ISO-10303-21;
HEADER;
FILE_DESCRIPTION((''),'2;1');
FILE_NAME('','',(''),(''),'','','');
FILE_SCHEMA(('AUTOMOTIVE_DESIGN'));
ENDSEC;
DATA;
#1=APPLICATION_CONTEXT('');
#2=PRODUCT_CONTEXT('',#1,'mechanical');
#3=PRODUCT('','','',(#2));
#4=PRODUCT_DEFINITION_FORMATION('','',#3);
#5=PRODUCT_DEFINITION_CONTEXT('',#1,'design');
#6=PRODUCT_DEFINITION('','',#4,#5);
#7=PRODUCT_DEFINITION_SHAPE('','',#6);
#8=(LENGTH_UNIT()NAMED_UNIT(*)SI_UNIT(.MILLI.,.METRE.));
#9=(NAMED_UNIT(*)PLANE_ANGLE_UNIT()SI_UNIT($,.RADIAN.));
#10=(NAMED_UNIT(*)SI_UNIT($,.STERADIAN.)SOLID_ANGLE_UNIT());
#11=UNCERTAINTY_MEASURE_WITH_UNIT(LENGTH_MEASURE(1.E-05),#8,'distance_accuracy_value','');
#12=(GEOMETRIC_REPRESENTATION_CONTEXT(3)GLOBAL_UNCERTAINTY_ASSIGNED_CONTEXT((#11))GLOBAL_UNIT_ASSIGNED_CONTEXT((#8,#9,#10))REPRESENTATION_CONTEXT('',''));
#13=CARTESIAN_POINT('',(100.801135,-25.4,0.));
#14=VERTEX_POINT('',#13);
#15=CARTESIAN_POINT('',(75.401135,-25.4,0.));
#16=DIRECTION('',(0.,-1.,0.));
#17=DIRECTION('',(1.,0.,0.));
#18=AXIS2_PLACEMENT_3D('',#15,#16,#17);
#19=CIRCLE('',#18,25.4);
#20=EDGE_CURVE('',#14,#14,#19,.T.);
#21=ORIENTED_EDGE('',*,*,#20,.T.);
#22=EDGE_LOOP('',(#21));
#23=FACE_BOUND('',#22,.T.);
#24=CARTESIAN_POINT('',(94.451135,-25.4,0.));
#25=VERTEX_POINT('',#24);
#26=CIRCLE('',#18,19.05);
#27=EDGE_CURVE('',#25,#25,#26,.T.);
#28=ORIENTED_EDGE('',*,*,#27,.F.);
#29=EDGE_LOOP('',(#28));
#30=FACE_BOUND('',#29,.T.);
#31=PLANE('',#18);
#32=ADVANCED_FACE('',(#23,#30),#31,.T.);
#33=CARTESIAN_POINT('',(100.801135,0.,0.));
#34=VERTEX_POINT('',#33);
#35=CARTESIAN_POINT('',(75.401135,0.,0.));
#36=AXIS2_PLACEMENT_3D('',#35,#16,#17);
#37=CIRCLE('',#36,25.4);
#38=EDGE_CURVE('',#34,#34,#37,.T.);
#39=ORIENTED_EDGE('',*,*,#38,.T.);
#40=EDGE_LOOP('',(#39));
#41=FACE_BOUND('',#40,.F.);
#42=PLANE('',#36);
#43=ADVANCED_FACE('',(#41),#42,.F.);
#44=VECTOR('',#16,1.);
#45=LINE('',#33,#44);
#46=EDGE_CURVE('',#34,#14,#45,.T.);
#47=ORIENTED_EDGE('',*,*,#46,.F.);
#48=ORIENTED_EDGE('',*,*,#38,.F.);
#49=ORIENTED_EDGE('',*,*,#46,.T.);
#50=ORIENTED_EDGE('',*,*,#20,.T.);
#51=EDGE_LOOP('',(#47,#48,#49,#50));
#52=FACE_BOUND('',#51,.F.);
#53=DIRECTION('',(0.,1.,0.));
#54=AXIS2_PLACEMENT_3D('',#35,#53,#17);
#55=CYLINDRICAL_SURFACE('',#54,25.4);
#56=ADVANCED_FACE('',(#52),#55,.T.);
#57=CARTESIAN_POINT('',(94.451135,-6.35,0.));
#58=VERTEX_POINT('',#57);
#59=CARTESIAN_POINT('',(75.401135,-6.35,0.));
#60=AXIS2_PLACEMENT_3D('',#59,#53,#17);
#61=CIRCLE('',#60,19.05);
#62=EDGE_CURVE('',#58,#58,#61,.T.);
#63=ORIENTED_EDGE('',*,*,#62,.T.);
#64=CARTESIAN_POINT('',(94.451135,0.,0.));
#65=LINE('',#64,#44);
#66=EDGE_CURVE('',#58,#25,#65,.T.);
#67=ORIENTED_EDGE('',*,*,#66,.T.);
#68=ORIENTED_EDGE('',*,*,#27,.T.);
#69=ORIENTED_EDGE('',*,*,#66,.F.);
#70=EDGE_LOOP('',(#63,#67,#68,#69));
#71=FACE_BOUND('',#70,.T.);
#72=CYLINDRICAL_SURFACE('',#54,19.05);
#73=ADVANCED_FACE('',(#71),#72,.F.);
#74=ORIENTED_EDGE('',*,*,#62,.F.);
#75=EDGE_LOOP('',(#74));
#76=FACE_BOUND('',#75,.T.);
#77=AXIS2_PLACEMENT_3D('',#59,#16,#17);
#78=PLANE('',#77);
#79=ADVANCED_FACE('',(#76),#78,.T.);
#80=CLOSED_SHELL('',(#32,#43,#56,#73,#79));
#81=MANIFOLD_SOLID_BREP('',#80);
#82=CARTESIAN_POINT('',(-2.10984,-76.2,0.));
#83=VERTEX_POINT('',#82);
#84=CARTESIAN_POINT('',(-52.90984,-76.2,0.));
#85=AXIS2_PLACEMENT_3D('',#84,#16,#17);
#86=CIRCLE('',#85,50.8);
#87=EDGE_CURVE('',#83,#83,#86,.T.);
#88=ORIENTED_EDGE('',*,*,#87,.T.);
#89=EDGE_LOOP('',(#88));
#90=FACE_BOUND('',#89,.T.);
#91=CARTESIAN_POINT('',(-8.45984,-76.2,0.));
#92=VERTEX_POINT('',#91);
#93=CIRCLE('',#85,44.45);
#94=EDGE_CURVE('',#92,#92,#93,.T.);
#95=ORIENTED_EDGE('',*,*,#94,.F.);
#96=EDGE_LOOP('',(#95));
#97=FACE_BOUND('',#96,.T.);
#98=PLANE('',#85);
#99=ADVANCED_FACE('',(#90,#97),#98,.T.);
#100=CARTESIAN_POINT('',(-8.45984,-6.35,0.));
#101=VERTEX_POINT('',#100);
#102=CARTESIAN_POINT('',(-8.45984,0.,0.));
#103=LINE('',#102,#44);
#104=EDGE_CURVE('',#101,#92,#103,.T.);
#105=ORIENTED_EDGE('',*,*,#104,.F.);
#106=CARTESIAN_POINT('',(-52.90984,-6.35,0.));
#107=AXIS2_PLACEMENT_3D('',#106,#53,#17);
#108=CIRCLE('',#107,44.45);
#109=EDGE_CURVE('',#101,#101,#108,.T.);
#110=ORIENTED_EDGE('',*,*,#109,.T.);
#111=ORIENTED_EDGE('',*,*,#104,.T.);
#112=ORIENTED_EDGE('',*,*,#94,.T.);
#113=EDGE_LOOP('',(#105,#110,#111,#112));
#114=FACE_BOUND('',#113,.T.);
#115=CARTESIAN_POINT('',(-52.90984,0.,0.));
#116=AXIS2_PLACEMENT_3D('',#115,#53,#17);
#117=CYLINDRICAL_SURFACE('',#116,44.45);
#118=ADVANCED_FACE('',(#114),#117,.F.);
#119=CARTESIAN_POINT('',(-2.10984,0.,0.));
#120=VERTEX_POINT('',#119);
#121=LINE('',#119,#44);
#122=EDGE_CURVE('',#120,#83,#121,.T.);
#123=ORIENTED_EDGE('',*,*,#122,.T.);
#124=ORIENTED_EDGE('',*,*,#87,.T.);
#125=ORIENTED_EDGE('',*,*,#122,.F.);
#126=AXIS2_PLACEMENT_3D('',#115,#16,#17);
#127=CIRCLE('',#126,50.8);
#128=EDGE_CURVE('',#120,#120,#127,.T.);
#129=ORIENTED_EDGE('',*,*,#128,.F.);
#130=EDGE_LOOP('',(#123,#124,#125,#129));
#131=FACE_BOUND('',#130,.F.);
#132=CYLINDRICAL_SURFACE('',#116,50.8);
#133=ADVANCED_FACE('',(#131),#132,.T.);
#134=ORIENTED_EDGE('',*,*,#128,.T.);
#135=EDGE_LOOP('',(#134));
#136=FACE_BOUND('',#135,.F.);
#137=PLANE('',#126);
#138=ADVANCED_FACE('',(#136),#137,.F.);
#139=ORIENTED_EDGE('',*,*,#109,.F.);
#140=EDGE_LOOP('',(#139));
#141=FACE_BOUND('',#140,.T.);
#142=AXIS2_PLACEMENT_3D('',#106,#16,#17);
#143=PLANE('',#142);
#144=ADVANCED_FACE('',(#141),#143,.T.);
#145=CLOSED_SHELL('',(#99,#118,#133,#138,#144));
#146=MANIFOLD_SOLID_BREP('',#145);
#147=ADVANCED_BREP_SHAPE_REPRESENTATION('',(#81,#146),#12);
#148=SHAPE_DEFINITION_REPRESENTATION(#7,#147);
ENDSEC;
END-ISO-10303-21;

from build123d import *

# Parameters (mm, degrees)
F0_R     = 25.4
F1_DEPTH = 25.4
F0_R_2   = 50.8
F2_DEPTH = 76.2
F3_T     = -6.35
F3_2_T   = -6.35


with BuildPart() as f1:
    # F0 (on Front) → F1 (new body)
    with BuildSketch(Plane.XZ):
        with Locations((75.401135, 0)):
            Circle(F0_R)
    extrude(amount=F1_DEPTH)

    # F3#2
    f3_2_openings = [f1.faces().sort_by_distance(p)[0] for p in [
        (75.401135, -25.4, 0),
    ]]
    offset(amount=F3_2_T, openings=f3_2_openings)


with BuildPart() as f2:
    # F0 (on Front) → F2 (new body)
    with BuildSketch(Plane.XZ):
        with Locations((-52.90984, 0)):
            Circle(F0_R_2)
    extrude(amount=F2_DEPTH)

    # F3
    f3_openings = [f2.faces().sort_by_distance(p)[0] for p in [
        (-52.90984, -76.2, 0),
    ]]
    offset(amount=F3_T, openings=f3_openings)


solid = Compound([f1.part, f2.part])
